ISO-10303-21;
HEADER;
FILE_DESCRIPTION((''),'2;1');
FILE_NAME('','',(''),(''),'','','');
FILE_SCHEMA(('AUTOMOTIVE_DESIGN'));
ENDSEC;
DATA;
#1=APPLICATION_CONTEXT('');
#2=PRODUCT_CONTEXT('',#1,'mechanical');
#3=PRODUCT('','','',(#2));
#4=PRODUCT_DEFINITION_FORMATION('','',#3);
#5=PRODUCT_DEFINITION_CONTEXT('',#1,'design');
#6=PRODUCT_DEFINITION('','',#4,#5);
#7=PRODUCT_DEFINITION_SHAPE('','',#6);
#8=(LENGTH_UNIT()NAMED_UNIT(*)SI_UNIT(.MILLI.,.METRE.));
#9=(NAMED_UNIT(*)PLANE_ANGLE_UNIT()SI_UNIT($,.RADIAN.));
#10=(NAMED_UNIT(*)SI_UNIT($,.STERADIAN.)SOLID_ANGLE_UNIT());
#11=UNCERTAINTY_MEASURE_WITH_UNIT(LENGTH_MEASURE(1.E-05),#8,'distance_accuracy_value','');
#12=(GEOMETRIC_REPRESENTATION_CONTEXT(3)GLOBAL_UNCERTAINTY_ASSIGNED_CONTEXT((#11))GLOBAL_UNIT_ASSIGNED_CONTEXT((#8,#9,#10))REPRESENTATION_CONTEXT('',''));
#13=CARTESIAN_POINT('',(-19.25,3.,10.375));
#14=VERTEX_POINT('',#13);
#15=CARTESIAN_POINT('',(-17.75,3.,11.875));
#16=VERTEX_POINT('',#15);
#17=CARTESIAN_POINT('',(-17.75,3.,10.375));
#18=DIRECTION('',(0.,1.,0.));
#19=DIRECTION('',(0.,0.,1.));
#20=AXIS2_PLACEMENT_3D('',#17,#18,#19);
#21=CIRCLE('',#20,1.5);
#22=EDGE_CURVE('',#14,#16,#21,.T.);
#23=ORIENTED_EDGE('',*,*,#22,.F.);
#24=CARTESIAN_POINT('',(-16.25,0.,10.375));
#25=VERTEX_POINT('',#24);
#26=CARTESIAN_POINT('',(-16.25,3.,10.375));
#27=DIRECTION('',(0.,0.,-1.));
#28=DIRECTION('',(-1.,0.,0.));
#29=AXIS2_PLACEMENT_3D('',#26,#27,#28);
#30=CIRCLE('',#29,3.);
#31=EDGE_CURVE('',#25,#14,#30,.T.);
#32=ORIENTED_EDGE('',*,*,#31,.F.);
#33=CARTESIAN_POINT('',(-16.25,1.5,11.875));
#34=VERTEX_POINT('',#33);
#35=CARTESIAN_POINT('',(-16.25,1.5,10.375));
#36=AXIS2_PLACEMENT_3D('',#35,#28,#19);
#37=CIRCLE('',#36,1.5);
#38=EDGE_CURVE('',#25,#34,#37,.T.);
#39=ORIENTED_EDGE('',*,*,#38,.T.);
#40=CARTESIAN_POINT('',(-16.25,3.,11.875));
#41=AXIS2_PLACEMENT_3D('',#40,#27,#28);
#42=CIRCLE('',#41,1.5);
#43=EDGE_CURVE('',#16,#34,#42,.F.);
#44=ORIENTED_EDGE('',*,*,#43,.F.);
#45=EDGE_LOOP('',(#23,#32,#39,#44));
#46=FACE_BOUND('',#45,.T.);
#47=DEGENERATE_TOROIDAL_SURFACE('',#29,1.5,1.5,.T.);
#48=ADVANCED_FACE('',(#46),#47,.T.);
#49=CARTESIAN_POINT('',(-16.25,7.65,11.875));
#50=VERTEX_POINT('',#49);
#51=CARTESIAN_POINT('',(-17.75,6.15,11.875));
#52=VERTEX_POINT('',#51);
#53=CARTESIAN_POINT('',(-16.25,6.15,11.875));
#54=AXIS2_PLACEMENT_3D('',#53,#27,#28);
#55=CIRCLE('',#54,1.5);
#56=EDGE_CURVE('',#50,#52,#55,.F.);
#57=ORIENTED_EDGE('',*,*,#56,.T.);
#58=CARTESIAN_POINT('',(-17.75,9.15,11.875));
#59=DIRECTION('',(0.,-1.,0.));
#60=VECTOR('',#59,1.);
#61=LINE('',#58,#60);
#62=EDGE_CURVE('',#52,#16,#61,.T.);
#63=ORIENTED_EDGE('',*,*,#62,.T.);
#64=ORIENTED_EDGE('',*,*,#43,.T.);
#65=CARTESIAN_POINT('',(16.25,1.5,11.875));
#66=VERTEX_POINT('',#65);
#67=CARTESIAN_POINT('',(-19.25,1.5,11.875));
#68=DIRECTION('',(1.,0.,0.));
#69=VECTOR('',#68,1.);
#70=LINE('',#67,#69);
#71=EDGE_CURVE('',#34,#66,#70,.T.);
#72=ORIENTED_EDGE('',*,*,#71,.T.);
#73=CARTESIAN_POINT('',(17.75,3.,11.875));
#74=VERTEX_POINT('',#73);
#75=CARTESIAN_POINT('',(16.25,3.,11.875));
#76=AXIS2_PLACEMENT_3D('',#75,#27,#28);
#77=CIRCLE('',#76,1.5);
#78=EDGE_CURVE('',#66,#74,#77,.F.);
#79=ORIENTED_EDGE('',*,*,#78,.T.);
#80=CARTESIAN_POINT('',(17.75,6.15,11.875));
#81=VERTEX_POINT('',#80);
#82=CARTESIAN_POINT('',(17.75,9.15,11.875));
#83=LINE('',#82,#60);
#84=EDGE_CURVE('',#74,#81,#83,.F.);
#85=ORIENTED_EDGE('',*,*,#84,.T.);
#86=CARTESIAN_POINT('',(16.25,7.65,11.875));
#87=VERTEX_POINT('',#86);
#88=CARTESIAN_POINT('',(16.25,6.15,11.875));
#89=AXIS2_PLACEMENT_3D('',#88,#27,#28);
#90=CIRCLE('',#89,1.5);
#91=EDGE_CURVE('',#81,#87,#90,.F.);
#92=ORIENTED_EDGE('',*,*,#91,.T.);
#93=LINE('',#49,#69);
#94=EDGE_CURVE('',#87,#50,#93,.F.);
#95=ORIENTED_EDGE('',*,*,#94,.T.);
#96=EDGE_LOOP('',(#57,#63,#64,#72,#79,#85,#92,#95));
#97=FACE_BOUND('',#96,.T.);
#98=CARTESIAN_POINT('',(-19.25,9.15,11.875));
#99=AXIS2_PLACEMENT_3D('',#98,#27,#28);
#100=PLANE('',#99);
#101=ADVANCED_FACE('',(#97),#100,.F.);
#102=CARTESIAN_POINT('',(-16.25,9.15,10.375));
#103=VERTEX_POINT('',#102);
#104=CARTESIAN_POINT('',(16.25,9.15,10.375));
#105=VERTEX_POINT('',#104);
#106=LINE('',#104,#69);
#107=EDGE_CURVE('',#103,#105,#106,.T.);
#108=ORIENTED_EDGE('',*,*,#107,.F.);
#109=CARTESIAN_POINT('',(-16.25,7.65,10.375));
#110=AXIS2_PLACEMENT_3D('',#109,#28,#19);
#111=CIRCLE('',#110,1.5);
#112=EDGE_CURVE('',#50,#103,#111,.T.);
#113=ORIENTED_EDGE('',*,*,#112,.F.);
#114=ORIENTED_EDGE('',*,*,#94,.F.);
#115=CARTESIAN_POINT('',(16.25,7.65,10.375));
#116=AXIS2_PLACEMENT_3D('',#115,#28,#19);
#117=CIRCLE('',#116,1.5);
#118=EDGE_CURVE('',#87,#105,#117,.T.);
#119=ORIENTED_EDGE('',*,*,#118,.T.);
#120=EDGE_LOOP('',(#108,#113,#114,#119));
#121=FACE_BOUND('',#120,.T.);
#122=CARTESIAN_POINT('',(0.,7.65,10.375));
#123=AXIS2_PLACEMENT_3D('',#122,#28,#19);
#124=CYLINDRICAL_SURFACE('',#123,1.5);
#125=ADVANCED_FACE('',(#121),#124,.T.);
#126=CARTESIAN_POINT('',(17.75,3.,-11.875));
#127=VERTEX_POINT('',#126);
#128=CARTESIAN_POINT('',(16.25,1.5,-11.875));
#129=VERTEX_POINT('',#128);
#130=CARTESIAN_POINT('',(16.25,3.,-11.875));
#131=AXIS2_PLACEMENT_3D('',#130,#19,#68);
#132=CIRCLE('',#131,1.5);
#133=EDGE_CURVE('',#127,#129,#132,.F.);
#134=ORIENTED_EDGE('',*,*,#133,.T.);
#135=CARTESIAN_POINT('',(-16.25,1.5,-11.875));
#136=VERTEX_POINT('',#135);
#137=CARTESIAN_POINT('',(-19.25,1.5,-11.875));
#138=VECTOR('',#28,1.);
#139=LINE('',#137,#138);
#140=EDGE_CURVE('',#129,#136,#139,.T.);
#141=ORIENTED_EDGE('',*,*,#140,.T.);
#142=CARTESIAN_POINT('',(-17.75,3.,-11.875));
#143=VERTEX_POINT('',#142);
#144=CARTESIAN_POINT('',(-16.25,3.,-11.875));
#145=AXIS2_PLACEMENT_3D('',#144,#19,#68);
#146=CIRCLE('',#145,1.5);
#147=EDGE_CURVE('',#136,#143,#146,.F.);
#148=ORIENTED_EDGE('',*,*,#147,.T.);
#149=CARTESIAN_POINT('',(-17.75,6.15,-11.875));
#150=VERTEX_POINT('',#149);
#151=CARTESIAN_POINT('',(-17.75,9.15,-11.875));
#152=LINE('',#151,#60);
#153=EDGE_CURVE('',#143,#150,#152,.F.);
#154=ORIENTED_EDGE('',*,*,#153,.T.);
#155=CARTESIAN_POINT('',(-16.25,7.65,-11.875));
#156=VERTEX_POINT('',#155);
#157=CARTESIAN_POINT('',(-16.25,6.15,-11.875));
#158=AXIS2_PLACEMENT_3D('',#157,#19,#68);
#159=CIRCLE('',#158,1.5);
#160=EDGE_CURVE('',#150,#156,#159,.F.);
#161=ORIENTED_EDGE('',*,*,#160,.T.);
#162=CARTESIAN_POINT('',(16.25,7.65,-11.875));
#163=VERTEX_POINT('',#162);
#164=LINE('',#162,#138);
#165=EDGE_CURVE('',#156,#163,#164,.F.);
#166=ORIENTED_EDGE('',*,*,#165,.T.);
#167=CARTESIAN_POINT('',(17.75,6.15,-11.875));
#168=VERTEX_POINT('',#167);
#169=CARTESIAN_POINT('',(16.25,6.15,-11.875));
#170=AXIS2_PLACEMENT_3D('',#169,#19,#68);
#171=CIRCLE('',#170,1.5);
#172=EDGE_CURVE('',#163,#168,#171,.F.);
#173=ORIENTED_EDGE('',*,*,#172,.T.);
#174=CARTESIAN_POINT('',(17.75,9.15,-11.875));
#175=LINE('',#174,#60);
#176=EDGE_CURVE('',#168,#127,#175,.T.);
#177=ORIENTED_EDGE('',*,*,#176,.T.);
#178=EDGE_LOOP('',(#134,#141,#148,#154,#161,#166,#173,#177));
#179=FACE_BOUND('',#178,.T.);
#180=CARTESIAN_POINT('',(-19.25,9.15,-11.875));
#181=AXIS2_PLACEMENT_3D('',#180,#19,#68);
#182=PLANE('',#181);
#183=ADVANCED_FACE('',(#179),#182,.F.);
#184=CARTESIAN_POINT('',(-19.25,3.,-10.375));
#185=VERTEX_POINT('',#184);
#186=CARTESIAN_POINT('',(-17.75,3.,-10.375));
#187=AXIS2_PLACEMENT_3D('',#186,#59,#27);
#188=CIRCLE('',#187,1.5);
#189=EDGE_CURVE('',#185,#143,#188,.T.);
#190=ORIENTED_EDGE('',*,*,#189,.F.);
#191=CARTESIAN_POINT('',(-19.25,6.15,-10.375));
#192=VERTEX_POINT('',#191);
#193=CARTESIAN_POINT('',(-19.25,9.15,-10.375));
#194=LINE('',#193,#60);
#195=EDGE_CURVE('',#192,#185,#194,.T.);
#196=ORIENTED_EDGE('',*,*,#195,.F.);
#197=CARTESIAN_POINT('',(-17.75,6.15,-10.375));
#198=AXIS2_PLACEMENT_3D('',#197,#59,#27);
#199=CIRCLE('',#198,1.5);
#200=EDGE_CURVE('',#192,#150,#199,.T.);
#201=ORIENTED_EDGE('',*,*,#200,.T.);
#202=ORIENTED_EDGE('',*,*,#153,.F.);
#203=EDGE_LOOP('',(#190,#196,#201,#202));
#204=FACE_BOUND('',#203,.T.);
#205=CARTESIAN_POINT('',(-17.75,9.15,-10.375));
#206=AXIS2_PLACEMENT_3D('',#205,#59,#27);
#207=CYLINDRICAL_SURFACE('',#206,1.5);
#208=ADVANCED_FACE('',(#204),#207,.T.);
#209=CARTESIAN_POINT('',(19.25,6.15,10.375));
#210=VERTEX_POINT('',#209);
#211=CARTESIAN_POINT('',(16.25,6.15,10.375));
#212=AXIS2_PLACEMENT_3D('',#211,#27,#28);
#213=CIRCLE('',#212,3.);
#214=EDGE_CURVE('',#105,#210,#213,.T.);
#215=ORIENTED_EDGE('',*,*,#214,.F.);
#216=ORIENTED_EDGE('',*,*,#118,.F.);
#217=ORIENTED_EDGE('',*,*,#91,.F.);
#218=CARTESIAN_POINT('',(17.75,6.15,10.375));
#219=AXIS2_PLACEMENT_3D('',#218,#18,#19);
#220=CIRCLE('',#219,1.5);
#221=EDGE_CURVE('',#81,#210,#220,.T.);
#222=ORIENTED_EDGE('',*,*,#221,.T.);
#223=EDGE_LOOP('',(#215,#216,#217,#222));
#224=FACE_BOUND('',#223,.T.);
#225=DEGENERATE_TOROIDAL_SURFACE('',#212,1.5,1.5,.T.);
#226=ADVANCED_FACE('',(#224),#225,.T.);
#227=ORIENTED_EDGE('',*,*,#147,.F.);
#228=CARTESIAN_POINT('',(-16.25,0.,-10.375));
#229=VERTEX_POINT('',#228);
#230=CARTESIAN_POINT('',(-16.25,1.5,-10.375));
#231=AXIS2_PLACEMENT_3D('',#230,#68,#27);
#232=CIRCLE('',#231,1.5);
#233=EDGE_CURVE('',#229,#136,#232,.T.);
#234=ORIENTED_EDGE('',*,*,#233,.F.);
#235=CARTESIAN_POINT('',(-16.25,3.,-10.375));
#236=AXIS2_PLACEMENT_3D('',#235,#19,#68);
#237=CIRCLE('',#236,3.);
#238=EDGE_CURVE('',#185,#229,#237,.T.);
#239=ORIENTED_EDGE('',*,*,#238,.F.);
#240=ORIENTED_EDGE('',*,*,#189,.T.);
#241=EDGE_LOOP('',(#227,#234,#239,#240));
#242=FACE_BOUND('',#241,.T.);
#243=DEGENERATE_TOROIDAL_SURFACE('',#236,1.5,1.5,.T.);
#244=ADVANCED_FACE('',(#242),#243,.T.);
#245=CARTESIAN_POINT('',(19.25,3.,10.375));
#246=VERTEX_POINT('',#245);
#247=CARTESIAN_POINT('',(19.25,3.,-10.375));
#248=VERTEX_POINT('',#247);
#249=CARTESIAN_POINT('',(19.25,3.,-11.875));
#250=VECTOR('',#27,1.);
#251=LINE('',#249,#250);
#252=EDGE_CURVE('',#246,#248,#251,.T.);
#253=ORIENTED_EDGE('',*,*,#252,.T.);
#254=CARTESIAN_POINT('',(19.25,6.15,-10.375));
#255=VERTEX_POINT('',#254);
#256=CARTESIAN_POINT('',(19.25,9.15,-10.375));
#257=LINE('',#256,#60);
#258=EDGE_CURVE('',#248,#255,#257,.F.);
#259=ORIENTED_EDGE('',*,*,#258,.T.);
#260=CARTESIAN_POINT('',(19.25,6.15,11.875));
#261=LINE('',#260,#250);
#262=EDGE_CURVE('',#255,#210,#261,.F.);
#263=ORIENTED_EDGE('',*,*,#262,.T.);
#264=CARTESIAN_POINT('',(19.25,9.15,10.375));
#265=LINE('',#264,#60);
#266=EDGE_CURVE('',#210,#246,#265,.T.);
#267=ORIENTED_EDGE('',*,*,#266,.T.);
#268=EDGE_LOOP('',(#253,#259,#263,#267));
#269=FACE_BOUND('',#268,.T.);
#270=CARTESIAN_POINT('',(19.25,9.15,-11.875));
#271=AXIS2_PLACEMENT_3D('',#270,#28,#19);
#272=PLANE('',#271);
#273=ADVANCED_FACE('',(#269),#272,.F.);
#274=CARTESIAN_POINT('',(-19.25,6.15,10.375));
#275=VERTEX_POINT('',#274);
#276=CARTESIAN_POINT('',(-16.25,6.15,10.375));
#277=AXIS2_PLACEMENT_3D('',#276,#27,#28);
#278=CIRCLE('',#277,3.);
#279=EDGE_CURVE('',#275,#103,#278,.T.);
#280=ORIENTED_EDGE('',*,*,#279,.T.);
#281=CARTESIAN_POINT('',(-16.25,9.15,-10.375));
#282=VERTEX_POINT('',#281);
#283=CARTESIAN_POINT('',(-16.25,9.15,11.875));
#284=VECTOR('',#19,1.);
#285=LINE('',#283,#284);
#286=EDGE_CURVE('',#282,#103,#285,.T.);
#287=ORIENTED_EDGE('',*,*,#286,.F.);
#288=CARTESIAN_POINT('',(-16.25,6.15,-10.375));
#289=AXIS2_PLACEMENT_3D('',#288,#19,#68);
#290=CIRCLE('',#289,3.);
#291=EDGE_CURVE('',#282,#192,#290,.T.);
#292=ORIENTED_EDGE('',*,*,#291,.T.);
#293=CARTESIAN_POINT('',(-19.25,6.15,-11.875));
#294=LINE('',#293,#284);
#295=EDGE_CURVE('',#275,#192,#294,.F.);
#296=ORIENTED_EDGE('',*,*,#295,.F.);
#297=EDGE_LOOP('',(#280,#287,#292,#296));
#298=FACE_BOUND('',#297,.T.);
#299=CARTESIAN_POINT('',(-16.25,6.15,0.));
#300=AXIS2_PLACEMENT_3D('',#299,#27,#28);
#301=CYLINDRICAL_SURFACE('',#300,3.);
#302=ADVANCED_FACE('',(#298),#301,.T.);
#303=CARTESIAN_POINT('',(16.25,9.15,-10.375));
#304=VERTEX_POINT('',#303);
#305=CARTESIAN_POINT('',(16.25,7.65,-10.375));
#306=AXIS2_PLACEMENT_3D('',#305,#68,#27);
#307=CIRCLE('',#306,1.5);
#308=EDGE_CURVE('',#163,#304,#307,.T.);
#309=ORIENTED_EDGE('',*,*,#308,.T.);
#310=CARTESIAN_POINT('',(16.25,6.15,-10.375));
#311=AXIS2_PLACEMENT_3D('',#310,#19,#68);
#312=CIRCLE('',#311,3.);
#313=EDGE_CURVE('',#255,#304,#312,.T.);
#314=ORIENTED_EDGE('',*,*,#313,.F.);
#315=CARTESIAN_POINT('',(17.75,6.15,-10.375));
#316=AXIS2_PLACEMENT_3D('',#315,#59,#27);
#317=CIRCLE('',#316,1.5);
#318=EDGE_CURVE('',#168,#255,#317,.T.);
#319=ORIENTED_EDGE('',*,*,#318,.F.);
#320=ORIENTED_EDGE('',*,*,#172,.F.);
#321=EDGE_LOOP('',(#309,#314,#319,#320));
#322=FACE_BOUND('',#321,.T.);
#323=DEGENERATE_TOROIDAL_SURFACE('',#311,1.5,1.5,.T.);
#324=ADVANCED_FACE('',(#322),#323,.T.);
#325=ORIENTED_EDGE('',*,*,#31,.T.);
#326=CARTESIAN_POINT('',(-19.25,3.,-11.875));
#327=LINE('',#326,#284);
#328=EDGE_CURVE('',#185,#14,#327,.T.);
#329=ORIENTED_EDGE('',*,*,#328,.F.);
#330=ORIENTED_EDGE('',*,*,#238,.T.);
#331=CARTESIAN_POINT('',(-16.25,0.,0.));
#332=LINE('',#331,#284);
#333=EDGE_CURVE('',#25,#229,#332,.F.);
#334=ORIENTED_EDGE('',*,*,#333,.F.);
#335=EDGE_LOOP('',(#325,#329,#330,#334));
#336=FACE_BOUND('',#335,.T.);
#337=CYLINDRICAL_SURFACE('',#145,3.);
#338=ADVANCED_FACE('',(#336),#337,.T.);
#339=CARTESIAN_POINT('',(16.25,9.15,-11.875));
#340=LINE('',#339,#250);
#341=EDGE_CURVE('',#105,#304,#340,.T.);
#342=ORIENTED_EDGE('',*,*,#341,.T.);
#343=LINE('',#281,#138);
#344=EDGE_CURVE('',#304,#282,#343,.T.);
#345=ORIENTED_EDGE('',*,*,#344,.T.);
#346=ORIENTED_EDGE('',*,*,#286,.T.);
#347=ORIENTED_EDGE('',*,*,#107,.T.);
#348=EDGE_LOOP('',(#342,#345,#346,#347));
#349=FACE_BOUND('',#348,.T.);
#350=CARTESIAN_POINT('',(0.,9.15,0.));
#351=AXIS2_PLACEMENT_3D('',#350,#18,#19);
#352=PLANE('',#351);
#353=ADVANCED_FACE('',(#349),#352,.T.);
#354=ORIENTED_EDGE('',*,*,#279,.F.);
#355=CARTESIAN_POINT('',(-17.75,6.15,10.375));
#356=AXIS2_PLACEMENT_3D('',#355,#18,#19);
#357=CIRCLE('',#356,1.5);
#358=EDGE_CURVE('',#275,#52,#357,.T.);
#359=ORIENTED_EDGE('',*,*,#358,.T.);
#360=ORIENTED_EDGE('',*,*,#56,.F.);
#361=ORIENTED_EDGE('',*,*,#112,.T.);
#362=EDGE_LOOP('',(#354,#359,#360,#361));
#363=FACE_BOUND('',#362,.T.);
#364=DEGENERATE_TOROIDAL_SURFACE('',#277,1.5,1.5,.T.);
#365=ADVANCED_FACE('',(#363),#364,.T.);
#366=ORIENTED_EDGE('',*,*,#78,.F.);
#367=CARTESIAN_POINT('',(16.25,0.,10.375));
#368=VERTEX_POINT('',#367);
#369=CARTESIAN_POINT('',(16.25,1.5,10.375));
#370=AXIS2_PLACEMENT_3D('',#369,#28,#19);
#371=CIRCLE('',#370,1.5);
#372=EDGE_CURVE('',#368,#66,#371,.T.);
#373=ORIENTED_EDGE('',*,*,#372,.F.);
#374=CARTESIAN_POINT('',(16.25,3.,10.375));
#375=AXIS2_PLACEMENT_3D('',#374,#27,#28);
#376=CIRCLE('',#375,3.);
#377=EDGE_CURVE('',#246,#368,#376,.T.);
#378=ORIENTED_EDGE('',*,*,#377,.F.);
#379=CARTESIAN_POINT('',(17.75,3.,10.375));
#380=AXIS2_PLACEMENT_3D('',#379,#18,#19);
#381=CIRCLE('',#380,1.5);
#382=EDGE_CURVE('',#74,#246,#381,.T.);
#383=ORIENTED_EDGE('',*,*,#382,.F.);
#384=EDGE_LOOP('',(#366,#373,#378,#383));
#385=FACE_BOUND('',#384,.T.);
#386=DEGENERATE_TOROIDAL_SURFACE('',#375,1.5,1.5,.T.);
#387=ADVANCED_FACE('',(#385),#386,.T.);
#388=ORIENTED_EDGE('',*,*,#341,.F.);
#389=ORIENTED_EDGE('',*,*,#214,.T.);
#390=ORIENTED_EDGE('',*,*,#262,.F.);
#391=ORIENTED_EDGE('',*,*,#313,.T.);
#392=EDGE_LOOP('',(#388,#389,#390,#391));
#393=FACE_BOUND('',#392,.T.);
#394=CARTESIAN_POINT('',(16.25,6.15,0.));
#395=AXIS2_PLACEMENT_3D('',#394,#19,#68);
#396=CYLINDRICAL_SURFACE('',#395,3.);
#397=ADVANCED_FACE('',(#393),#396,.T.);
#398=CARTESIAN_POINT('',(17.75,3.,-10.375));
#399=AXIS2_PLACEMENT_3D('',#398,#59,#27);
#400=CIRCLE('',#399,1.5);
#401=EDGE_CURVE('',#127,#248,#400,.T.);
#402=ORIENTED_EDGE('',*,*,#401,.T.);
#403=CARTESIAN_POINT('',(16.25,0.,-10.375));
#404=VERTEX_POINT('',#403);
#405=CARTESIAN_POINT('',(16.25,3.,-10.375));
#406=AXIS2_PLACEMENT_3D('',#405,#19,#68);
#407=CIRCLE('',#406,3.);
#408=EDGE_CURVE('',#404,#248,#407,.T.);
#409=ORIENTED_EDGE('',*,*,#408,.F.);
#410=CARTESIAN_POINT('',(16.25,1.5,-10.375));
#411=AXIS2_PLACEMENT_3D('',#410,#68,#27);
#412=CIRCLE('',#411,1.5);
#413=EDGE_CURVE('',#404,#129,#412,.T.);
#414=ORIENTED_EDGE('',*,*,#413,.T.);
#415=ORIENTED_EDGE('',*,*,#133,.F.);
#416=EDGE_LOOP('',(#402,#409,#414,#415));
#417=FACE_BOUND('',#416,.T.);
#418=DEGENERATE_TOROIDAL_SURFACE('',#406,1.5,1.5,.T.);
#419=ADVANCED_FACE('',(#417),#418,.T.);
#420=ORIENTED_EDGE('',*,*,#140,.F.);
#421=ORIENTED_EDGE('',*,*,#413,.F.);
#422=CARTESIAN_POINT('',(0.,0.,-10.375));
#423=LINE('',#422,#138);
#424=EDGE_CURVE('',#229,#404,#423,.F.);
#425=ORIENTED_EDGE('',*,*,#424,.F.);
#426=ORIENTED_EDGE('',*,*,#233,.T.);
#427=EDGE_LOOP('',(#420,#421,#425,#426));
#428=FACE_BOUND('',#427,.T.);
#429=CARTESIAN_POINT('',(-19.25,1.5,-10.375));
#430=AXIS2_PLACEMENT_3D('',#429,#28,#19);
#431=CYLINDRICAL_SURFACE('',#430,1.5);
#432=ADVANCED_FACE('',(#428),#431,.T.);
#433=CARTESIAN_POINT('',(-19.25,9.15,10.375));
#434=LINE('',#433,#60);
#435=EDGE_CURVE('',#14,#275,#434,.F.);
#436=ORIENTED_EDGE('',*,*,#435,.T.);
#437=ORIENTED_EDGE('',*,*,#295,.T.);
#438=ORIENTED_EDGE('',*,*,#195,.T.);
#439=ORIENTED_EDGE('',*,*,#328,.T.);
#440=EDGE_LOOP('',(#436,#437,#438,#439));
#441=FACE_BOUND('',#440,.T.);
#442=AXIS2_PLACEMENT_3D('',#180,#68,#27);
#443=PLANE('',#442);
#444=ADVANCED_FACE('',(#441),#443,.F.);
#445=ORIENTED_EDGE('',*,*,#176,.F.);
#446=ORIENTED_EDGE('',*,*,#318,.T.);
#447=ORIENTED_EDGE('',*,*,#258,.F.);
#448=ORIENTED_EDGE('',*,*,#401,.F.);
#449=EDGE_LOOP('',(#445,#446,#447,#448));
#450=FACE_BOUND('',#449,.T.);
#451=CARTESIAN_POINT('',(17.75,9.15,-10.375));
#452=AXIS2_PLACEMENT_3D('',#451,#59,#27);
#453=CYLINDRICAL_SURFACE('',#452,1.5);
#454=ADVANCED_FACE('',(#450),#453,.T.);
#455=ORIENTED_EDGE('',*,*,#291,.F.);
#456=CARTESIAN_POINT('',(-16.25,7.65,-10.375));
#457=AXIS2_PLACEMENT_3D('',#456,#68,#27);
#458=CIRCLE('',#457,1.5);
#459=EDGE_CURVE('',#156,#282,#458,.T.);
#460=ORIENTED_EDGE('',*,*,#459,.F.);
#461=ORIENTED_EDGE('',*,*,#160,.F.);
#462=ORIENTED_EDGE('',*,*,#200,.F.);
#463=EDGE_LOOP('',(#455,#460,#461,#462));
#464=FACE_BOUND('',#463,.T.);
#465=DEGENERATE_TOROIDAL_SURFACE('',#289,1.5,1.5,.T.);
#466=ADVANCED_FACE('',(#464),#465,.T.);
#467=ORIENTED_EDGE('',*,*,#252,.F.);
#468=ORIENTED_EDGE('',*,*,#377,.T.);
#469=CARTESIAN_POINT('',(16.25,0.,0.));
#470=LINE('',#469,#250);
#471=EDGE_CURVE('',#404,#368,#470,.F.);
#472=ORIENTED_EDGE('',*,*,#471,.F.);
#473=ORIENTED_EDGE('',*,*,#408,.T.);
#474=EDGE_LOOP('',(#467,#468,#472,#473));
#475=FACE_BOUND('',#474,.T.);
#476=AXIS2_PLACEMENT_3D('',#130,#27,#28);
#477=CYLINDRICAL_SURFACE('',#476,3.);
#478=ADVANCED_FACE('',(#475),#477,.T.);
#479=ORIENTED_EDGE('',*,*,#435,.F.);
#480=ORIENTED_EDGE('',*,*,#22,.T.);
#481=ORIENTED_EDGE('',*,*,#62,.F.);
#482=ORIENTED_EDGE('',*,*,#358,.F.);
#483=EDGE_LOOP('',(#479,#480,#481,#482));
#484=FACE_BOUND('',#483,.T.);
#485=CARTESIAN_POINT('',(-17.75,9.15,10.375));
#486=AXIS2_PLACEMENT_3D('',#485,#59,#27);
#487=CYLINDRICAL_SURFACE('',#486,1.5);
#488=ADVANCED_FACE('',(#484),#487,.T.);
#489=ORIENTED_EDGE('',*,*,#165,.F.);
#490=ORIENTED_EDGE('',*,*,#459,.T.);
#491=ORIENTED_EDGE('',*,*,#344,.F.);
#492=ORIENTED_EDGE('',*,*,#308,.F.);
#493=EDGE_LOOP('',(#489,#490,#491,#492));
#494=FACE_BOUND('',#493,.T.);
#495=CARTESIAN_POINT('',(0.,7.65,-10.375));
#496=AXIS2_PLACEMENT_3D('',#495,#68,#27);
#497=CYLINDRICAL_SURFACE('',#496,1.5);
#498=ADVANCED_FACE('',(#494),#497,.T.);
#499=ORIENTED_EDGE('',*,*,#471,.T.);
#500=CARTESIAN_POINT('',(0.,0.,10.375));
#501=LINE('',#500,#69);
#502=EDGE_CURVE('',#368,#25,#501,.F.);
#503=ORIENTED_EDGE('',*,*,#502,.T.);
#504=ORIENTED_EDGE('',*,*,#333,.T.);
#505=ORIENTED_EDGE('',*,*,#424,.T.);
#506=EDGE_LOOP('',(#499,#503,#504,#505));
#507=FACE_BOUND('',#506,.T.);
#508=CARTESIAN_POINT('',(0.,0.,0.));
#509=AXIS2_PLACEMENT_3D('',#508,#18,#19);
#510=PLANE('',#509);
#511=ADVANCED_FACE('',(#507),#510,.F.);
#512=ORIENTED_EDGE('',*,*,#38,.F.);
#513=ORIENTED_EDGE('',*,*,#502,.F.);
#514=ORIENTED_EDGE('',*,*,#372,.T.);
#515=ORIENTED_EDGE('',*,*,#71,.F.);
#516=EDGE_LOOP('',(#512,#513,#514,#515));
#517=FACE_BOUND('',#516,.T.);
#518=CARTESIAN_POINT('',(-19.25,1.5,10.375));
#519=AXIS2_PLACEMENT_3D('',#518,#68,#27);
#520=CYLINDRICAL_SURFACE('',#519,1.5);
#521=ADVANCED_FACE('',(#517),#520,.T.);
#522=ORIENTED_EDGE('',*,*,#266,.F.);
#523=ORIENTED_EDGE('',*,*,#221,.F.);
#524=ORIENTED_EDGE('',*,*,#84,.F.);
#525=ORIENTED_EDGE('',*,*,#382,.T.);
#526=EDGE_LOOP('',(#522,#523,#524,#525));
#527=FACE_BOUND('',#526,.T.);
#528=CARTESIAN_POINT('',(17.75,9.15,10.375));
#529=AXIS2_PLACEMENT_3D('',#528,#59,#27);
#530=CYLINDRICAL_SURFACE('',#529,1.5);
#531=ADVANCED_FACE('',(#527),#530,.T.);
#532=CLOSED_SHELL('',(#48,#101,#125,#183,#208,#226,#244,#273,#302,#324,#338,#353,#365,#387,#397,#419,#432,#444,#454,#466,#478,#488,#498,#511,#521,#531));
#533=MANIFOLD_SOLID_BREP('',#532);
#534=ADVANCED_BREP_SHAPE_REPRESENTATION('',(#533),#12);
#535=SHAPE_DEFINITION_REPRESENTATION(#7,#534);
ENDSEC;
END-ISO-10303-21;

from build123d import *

# Parameters (mm, degrees)
SKETCH1_W           = 38.5
SKETCH1_H           = 23.75
BOSS_EXTRUDE1_DEPTH = 9.15
FILLET1_R           = 3
FILLET2_R           = 1.5


with BuildPart() as part:
    # Sketch1 → Boss-Extrude1 (new body)
    with BuildSketch(Plane(origin=(0, 0, 0), x_dir=(1, 0, 0), z_dir=(0, 1, 0))):
        Rectangle(SKETCH1_W, SKETCH1_H)
    extrude(amount=BOSS_EXTRUDE1_DEPTH)

    # Fillet1
    fillet1_edges = [part.edges().sort_by_distance(p)[0] for p in [
        (-19.25, 9.15, 0),
        (19.25, 9.15, 0),
        (-19.25, 0, 0),
        (19.25, 0, 0),
    ]]
    fillet(fillet1_edges, radius=FILLET1_R)

    # Fillet2
    fillet2_edges = [part.edges().sort_by_distance(p)[0] for p in [
        (-19.25, 4.575, 11.875),
        (-19.25, 4.575, -11.875),
        (0, 0, 11.875),
        (19.25, 4.575, 11.875),
        (0, 9.15, 11.875),
        (18.371320344, 8.271320344, 11.875),
        (18.371320344, 0.878679656, 11.875),
        (-18.371320344, 8.271320344, 11.875),
        (-18.371320344, 0.878679656, 11.875),
        (0, 0, -11.875),
        (0, 9.15, -11.875),
        (19.25, 4.575, -11.875),
        (18.371320344, 8.271320344, -11.875),
        (18.371320344, 0.878679656, -11.875),
        (-18.371320344, 8.271320344, -11.875),
        (-18.371320344, 0.878679656, -11.875),
    ]]
    fillet(fillet2_edges, radius=FILLET2_R)


solid = part.part
